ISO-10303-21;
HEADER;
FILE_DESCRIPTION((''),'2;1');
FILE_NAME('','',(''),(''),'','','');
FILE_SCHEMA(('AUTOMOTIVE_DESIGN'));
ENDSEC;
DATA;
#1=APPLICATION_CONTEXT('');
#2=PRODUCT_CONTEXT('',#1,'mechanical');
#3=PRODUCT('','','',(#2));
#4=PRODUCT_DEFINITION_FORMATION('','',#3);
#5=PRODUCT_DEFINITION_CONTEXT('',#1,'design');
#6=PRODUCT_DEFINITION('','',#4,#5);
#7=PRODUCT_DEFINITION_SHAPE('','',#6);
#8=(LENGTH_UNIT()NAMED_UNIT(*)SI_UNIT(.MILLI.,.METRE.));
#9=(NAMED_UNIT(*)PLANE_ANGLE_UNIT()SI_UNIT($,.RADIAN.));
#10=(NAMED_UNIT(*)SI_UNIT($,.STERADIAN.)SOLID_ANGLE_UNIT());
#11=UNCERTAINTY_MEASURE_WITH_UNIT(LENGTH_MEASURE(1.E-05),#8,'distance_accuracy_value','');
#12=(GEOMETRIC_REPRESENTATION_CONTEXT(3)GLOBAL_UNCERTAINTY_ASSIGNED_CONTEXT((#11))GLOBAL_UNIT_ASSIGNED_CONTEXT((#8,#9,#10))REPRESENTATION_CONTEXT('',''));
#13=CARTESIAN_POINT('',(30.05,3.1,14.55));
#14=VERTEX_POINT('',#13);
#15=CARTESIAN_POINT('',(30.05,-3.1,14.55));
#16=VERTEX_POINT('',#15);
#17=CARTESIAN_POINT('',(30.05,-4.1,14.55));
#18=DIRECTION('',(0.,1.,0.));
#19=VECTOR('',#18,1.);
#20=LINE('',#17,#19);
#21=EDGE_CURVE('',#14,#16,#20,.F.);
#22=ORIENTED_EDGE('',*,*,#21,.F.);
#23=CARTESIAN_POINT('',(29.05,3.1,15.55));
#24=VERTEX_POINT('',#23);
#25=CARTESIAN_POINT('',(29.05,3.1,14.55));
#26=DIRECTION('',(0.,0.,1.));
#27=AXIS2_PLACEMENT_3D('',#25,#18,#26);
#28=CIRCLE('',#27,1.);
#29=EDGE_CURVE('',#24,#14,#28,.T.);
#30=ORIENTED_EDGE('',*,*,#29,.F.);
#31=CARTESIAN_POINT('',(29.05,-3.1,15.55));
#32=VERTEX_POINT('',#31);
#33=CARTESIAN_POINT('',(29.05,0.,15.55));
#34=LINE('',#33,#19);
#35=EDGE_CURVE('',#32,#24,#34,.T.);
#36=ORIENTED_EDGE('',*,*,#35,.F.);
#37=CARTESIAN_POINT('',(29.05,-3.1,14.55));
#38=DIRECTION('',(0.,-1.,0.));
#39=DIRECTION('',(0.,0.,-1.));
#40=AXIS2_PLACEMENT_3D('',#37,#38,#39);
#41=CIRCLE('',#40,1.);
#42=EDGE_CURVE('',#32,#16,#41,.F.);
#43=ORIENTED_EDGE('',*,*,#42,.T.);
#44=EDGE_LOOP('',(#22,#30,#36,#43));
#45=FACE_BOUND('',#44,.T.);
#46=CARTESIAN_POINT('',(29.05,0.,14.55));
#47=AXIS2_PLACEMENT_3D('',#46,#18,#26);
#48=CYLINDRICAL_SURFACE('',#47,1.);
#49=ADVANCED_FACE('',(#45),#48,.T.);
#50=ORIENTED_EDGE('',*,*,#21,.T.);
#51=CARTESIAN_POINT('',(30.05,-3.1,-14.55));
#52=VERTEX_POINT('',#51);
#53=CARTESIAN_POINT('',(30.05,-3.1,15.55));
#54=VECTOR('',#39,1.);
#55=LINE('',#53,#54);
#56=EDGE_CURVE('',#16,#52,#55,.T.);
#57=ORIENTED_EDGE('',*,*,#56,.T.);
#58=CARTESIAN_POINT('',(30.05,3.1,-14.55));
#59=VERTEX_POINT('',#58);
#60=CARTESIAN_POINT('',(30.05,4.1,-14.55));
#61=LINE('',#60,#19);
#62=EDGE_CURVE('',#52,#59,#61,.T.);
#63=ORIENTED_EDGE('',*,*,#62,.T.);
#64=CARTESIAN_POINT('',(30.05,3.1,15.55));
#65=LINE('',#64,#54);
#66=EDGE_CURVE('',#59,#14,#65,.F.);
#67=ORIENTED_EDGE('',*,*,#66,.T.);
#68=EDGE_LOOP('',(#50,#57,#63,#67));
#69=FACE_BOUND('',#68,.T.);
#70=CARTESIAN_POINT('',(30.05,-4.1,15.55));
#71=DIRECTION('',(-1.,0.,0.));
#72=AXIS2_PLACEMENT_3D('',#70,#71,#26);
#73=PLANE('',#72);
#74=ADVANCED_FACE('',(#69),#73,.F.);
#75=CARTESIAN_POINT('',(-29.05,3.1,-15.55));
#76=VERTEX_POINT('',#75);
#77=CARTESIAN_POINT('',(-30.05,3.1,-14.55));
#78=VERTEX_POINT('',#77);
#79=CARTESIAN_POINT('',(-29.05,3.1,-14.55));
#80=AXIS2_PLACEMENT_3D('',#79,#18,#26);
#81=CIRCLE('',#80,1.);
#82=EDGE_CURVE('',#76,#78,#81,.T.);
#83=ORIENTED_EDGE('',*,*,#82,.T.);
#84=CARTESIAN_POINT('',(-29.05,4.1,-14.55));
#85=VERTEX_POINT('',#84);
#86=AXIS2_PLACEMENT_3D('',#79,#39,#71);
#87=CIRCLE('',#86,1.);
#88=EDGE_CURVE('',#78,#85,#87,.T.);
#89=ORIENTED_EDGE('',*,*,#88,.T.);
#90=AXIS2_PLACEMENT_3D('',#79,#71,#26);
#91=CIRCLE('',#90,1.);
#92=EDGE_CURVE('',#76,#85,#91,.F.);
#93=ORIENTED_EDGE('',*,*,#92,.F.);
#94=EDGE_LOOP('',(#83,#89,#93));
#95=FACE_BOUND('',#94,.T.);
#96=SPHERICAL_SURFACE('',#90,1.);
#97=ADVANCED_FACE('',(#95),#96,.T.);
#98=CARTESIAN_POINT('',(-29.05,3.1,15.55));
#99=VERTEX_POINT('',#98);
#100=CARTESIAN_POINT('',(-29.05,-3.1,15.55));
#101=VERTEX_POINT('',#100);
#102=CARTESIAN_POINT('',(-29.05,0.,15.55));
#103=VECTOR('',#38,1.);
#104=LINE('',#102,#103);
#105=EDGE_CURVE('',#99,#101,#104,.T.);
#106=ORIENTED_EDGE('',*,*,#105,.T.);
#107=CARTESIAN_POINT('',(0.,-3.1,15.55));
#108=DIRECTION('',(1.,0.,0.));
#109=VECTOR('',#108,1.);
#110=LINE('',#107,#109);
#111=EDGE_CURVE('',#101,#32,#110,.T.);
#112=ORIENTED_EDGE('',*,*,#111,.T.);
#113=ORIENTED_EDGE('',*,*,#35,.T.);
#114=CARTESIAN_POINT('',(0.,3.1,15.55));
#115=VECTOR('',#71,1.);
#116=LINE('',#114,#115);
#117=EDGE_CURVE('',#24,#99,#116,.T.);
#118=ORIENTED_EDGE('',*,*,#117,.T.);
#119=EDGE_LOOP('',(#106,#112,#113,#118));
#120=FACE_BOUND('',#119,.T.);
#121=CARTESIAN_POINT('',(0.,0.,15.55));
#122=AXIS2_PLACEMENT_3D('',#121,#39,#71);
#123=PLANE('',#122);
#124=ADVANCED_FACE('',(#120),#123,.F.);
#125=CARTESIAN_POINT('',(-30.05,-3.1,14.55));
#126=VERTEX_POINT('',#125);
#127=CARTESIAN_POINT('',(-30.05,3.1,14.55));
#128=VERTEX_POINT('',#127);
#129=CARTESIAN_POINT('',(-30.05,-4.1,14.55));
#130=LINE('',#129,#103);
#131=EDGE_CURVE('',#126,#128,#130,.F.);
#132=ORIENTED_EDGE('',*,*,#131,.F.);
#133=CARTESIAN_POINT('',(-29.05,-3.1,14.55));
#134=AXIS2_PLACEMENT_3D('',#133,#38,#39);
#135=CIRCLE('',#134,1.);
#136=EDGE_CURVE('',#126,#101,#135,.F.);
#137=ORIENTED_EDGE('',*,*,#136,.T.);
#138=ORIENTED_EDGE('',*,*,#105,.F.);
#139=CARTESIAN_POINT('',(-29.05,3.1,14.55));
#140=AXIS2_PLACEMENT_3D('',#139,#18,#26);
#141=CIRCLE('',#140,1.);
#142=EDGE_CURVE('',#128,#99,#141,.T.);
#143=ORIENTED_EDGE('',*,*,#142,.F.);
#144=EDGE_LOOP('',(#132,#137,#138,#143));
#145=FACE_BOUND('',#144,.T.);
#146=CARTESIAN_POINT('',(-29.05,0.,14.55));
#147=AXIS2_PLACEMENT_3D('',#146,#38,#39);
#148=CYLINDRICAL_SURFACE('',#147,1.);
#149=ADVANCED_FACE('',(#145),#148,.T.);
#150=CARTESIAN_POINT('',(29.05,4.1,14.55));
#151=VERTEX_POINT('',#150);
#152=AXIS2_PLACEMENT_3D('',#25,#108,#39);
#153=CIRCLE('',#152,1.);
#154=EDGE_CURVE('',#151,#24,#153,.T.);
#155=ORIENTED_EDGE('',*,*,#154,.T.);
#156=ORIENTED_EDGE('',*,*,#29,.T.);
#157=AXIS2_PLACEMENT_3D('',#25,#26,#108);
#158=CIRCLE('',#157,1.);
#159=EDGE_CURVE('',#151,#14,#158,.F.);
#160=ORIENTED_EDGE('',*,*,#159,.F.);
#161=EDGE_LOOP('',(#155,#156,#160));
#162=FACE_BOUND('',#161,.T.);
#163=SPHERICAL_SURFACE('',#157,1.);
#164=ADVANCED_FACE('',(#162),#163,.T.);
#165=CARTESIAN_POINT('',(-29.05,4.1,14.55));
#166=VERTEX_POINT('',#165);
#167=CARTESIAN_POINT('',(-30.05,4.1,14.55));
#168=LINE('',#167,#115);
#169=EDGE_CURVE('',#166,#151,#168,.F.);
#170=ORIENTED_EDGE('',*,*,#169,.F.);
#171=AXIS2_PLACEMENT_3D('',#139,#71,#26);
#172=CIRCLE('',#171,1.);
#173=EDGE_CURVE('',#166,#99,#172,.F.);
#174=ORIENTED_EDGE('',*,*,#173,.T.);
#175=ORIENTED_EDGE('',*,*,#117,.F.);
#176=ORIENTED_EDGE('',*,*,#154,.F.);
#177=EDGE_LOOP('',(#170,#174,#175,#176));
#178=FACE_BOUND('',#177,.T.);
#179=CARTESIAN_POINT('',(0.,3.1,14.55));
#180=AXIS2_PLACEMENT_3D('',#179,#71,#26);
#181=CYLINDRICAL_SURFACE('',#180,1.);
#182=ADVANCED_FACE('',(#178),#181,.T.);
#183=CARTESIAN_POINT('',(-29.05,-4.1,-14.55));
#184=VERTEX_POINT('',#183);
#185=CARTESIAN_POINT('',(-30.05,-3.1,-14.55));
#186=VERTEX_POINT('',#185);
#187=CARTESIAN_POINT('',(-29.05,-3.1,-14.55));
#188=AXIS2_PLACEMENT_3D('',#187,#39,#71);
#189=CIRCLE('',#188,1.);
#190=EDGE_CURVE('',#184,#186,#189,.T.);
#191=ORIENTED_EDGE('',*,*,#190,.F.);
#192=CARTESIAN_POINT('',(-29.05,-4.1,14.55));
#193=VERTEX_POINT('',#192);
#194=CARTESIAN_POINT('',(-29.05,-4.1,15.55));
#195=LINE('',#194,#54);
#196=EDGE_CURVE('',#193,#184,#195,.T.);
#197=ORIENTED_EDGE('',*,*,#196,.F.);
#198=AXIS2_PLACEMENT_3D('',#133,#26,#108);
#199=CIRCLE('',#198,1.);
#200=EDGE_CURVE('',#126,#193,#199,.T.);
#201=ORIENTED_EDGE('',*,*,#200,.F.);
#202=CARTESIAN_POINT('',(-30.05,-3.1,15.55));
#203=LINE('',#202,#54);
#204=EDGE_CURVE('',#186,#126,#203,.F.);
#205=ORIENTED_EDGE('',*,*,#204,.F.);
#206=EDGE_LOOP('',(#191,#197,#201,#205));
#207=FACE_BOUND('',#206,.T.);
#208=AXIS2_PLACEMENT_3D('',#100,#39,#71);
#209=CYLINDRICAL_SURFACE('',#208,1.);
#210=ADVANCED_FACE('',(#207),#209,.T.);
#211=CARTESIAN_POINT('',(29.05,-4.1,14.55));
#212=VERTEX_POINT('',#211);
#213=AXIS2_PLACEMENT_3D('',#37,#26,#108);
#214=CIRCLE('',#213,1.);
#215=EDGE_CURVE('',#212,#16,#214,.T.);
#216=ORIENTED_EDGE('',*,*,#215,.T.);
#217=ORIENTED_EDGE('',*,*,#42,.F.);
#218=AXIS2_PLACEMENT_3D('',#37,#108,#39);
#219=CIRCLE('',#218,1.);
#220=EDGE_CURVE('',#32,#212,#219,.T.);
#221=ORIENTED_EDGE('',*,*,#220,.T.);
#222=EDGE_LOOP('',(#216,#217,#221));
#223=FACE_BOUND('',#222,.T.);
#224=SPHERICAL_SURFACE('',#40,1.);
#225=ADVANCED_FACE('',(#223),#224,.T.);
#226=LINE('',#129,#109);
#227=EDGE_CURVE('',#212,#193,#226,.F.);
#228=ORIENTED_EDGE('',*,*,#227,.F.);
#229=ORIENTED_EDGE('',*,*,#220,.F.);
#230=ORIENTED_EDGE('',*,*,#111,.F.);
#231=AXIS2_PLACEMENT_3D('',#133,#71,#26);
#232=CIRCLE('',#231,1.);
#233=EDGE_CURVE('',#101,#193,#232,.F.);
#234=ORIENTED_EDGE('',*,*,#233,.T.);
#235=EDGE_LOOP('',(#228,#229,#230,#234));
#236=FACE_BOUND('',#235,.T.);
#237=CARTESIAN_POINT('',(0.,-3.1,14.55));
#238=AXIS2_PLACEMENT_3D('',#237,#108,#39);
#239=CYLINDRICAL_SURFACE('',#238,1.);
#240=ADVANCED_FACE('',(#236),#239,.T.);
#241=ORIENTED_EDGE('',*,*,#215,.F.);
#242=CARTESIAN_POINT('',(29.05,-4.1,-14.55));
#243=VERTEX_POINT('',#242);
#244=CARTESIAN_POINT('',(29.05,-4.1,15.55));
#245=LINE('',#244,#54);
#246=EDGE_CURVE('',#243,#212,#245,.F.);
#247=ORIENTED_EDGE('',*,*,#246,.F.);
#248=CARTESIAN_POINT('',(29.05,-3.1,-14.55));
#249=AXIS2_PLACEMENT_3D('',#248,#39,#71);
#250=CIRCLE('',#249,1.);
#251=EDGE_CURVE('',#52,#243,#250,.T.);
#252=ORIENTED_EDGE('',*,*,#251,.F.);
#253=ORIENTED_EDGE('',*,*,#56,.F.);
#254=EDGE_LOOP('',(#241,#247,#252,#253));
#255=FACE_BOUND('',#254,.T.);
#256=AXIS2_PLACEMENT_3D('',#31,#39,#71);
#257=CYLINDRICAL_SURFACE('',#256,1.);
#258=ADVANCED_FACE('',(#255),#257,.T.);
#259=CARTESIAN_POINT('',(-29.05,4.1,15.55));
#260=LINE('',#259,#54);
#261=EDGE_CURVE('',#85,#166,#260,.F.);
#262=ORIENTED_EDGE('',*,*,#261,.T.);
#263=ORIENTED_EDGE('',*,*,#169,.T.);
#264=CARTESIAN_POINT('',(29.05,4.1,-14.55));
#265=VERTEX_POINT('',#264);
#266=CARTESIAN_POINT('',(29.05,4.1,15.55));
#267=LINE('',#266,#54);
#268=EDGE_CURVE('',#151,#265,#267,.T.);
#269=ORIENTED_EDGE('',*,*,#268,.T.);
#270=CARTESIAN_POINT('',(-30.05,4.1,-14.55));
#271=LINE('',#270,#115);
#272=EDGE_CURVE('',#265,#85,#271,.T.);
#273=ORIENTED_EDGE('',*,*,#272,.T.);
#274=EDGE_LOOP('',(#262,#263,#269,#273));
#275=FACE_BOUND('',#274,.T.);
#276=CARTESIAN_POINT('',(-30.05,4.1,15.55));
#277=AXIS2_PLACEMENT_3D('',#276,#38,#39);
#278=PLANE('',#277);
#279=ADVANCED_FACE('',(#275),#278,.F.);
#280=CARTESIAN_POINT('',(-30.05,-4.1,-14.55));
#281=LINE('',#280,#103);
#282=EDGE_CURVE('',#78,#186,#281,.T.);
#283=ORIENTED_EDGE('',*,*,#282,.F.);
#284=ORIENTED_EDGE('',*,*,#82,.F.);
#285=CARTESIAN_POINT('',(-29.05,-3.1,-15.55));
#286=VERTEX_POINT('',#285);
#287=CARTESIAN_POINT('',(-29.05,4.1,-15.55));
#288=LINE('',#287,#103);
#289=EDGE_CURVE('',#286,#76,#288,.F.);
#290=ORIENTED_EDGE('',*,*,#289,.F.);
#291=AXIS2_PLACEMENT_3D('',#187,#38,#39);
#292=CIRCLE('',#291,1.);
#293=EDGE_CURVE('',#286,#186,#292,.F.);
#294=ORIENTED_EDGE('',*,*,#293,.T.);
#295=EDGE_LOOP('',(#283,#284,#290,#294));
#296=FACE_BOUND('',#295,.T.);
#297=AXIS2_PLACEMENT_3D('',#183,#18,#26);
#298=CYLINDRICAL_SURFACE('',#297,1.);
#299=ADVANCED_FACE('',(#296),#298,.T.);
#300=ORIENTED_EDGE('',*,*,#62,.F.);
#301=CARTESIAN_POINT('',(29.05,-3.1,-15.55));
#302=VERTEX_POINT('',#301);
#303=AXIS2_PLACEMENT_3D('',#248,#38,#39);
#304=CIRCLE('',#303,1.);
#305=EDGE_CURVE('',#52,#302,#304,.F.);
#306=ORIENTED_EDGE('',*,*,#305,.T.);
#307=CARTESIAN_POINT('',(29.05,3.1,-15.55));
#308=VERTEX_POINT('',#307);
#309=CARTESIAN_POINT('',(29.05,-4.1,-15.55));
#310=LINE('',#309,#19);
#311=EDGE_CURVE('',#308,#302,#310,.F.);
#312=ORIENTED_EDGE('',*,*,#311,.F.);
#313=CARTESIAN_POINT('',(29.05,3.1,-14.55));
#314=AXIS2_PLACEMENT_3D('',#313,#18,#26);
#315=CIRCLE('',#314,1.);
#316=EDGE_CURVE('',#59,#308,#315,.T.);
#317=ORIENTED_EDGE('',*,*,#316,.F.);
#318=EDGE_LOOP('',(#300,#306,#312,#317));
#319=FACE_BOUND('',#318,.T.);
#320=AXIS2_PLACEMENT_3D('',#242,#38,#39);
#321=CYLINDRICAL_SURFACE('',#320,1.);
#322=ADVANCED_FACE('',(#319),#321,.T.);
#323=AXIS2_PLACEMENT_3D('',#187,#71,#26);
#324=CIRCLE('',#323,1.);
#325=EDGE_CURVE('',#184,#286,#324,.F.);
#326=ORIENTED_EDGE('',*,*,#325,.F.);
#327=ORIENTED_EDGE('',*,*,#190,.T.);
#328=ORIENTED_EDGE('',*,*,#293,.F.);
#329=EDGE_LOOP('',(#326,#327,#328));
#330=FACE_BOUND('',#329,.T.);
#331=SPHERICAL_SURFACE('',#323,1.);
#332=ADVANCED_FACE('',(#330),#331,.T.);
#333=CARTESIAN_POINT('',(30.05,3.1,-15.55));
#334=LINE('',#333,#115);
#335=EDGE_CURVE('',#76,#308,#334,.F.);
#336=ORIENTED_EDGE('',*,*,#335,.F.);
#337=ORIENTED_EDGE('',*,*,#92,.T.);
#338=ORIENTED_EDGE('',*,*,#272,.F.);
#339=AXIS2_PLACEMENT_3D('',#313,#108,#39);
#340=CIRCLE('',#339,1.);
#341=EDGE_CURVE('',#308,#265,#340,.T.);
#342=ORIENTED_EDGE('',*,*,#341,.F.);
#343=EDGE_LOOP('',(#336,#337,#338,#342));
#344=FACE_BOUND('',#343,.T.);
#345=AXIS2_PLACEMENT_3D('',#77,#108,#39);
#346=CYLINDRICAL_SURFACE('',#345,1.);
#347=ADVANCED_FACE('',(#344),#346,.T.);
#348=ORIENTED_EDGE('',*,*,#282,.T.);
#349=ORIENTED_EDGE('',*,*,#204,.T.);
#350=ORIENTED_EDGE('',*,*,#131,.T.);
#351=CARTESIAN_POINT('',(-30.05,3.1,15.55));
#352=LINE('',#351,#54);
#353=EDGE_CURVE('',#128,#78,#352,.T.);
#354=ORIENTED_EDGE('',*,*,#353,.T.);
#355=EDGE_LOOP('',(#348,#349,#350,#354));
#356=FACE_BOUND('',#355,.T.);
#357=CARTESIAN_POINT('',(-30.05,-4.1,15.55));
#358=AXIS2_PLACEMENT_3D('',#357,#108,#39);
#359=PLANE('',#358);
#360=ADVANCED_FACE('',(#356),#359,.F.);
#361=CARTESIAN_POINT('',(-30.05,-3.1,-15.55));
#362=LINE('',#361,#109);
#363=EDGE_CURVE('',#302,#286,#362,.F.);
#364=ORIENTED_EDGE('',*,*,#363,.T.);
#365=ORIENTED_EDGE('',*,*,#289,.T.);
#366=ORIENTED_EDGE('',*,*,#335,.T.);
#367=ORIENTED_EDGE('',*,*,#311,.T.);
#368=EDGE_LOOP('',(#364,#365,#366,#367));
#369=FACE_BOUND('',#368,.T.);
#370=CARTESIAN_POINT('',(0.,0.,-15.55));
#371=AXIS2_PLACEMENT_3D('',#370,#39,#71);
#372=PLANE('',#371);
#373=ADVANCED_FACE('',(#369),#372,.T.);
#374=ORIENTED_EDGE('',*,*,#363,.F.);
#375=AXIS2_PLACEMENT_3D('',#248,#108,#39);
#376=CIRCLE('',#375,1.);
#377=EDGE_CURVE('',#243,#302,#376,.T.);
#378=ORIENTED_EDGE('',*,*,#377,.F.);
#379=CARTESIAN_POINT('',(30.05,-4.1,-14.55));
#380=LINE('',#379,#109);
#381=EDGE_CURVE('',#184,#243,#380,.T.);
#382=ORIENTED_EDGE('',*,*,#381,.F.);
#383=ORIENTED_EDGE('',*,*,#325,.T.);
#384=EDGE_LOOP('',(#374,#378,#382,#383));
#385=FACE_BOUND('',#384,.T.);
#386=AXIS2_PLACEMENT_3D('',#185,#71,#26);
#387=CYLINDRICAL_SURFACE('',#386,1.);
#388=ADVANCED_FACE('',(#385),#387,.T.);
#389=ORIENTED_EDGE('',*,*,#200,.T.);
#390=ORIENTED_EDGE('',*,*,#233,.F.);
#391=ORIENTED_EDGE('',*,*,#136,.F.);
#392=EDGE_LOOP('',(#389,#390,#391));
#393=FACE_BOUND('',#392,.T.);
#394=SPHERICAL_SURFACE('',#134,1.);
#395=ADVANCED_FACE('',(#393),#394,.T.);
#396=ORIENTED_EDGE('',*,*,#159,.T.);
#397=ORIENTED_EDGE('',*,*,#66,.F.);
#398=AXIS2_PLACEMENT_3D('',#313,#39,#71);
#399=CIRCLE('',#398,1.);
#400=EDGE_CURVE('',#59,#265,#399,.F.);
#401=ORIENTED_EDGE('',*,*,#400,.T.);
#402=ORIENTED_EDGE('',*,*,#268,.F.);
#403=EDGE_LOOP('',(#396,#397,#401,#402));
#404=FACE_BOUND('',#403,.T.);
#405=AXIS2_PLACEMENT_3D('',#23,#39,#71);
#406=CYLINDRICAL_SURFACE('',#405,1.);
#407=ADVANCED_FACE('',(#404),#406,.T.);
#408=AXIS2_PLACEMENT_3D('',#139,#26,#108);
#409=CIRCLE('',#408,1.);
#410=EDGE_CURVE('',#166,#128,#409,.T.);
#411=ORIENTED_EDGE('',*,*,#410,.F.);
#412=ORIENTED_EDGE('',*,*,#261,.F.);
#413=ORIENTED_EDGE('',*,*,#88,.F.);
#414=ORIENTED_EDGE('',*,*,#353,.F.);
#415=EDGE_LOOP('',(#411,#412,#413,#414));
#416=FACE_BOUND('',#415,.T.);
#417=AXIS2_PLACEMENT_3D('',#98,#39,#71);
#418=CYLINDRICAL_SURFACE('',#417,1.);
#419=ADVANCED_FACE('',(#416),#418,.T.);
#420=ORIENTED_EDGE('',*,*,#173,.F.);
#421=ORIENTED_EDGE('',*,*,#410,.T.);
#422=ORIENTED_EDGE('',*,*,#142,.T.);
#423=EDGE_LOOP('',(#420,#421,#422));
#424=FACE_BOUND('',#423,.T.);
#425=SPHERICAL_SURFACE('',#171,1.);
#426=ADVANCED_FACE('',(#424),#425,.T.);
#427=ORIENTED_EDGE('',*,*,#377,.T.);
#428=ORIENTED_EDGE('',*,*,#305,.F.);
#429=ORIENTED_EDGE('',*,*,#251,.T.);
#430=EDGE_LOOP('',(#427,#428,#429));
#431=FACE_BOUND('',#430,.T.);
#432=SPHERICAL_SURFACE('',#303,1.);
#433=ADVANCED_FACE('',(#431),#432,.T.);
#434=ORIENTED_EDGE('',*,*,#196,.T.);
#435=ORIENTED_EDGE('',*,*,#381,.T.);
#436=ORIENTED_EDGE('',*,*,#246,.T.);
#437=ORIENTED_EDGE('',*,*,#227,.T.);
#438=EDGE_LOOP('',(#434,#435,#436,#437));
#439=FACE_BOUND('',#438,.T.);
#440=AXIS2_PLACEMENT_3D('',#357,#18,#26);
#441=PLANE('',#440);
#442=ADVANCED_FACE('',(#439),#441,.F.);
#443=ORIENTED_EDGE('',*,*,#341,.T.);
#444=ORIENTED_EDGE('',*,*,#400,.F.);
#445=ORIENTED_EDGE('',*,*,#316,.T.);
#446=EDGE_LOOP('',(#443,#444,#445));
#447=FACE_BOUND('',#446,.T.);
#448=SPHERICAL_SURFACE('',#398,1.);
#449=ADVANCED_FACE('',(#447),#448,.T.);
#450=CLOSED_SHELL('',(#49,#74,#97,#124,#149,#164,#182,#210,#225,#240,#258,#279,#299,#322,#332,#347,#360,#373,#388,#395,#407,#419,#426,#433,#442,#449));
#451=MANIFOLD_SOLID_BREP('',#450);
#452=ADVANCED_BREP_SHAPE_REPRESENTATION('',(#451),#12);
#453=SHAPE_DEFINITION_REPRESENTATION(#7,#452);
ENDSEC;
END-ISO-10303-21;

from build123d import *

# Parameters (mm, degrees)
SKETCH_1_W      = 60.1
SKETCH_1_H      = 8.2
EXTRUDE_1_DEPTH = 15.55
FILLET_1_R      = 1


with BuildPart() as part:
    # 草图1 → 凸台-拉伸1 (new, symmetric)
    with BuildSketch(Plane.XY):
        Rectangle(SKETCH_1_W, SKETCH_1_H)
    extrude(amount=EXTRUDE_1_DEPTH, both=True)

    # 圆角1
    fillet_1_edges = [part.edges().sort_by_distance(p)[0] for p in [
        (-30.05, 0, 15.55),
        (0, -4.1, 15.55),
        (30.05, 0, 15.55),
        (0, -4.1, -15.55),
        (-30.05, 0, -15.55),
        (0, 4.1, -15.55),
        (30.05, 0, -15.55),
        (30.05, -4.1, 0),
        (-30.05, -4.1, 0),
        (-30.05, 4.1, 0),
        (30.05, 4.1, 0),
        (0, 4.1, 15.55),
    ]]
    fillet(fillet_1_edges, radius=FILLET_1_R)


solid = part.part
